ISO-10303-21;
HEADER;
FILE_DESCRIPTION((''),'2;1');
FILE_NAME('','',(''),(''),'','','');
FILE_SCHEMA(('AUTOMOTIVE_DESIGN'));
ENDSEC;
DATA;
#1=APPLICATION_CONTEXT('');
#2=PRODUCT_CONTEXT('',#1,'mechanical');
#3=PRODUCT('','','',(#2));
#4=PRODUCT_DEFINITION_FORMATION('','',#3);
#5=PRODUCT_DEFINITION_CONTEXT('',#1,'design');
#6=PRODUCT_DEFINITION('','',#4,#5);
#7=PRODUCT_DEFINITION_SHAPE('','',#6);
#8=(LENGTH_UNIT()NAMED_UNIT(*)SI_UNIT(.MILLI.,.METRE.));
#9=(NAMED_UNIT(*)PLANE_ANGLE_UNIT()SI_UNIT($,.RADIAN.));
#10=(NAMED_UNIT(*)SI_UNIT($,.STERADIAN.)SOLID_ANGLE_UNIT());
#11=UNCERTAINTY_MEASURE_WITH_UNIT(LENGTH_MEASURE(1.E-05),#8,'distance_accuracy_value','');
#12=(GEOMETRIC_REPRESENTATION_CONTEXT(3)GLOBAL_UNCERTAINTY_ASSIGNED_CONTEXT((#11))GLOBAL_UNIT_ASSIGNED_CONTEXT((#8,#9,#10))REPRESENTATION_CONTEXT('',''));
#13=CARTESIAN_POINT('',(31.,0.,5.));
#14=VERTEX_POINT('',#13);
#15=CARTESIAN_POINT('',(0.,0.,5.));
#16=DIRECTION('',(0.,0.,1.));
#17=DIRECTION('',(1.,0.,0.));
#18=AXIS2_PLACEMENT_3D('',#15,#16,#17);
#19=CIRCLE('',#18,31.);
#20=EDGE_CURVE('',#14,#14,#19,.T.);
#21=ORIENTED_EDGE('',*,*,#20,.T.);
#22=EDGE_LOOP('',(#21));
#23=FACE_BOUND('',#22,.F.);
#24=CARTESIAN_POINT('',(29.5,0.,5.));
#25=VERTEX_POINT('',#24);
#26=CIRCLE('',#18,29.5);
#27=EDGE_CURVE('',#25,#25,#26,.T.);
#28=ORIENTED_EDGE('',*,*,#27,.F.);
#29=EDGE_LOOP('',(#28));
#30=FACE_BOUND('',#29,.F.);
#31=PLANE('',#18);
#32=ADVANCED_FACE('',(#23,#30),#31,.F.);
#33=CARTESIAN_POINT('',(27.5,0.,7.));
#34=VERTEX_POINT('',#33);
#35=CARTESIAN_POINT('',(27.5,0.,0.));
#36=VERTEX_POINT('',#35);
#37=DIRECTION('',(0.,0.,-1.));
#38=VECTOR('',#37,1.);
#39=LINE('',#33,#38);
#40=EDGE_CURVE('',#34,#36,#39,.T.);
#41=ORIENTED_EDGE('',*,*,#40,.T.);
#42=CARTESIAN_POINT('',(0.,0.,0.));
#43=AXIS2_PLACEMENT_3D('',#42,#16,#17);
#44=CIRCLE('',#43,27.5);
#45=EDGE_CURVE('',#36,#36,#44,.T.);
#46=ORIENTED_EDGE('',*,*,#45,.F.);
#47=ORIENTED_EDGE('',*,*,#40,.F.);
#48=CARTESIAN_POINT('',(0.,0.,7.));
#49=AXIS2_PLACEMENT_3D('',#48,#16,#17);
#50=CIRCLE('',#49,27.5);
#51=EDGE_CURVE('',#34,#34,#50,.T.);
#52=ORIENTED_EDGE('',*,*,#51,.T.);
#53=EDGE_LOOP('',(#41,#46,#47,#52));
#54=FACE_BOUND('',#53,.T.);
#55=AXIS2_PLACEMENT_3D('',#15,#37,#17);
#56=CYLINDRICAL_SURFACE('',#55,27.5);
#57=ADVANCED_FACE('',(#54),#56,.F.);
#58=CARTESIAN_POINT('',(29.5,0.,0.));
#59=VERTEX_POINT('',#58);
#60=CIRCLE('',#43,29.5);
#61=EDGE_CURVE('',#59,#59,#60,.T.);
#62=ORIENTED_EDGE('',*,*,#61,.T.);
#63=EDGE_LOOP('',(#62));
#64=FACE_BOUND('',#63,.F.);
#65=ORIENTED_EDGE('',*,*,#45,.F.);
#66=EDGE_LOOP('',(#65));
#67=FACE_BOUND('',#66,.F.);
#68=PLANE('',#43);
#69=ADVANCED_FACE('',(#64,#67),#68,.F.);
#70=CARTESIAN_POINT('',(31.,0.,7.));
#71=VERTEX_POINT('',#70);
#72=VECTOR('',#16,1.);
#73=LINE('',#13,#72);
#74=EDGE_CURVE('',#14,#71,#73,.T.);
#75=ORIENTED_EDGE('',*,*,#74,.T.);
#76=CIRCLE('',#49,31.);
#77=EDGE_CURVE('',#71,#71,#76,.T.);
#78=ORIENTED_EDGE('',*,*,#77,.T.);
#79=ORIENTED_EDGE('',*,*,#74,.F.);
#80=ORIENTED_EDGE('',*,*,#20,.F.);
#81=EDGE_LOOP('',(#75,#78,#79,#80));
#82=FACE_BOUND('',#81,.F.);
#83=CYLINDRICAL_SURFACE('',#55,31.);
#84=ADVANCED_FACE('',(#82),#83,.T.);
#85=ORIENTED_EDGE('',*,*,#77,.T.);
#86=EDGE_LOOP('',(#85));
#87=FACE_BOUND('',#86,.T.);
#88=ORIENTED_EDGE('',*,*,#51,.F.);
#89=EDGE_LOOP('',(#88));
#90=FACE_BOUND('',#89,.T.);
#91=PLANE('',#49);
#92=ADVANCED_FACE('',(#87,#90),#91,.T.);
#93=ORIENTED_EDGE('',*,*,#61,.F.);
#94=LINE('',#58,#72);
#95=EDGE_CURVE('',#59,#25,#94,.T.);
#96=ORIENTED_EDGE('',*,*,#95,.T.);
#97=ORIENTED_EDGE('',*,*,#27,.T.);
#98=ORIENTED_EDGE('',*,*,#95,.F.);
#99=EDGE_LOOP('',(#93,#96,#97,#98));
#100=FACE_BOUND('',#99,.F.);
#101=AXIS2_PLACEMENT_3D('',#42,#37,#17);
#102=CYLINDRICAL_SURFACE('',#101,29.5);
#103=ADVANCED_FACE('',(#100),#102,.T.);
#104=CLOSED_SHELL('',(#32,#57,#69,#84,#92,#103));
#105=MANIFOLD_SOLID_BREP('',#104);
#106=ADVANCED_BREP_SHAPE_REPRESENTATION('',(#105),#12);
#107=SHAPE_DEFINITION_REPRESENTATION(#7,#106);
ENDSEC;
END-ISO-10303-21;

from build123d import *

# Parameters (mm, degrees)
SKETCH_R      = 29.5
SKETCH_R_2    = 27.5
PAD_DEPTH     = 5
SKETCH001_R   = 31
SKETCH001_R_2 = 27.5
PAD001_DEPTH  = 2


with BuildPart() as part:
    # Sketch → Pad (new body)
    with BuildSketch(Plane.XY):
        Circle(SKETCH_R)
        Circle(SKETCH_R_2, mode=Mode.SUBTRACT)
    extrude(amount=PAD_DEPTH)

    # Sketch001 (on Face4 of Pad) → Pad001 (join)
    with BuildSketch(Plane.XY.offset(5)):
        Circle(SKETCH001_R)
        Circle(SKETCH001_R_2, mode=Mode.SUBTRACT)
    extrude(amount=PAD001_DEPTH)


solid = part.part
